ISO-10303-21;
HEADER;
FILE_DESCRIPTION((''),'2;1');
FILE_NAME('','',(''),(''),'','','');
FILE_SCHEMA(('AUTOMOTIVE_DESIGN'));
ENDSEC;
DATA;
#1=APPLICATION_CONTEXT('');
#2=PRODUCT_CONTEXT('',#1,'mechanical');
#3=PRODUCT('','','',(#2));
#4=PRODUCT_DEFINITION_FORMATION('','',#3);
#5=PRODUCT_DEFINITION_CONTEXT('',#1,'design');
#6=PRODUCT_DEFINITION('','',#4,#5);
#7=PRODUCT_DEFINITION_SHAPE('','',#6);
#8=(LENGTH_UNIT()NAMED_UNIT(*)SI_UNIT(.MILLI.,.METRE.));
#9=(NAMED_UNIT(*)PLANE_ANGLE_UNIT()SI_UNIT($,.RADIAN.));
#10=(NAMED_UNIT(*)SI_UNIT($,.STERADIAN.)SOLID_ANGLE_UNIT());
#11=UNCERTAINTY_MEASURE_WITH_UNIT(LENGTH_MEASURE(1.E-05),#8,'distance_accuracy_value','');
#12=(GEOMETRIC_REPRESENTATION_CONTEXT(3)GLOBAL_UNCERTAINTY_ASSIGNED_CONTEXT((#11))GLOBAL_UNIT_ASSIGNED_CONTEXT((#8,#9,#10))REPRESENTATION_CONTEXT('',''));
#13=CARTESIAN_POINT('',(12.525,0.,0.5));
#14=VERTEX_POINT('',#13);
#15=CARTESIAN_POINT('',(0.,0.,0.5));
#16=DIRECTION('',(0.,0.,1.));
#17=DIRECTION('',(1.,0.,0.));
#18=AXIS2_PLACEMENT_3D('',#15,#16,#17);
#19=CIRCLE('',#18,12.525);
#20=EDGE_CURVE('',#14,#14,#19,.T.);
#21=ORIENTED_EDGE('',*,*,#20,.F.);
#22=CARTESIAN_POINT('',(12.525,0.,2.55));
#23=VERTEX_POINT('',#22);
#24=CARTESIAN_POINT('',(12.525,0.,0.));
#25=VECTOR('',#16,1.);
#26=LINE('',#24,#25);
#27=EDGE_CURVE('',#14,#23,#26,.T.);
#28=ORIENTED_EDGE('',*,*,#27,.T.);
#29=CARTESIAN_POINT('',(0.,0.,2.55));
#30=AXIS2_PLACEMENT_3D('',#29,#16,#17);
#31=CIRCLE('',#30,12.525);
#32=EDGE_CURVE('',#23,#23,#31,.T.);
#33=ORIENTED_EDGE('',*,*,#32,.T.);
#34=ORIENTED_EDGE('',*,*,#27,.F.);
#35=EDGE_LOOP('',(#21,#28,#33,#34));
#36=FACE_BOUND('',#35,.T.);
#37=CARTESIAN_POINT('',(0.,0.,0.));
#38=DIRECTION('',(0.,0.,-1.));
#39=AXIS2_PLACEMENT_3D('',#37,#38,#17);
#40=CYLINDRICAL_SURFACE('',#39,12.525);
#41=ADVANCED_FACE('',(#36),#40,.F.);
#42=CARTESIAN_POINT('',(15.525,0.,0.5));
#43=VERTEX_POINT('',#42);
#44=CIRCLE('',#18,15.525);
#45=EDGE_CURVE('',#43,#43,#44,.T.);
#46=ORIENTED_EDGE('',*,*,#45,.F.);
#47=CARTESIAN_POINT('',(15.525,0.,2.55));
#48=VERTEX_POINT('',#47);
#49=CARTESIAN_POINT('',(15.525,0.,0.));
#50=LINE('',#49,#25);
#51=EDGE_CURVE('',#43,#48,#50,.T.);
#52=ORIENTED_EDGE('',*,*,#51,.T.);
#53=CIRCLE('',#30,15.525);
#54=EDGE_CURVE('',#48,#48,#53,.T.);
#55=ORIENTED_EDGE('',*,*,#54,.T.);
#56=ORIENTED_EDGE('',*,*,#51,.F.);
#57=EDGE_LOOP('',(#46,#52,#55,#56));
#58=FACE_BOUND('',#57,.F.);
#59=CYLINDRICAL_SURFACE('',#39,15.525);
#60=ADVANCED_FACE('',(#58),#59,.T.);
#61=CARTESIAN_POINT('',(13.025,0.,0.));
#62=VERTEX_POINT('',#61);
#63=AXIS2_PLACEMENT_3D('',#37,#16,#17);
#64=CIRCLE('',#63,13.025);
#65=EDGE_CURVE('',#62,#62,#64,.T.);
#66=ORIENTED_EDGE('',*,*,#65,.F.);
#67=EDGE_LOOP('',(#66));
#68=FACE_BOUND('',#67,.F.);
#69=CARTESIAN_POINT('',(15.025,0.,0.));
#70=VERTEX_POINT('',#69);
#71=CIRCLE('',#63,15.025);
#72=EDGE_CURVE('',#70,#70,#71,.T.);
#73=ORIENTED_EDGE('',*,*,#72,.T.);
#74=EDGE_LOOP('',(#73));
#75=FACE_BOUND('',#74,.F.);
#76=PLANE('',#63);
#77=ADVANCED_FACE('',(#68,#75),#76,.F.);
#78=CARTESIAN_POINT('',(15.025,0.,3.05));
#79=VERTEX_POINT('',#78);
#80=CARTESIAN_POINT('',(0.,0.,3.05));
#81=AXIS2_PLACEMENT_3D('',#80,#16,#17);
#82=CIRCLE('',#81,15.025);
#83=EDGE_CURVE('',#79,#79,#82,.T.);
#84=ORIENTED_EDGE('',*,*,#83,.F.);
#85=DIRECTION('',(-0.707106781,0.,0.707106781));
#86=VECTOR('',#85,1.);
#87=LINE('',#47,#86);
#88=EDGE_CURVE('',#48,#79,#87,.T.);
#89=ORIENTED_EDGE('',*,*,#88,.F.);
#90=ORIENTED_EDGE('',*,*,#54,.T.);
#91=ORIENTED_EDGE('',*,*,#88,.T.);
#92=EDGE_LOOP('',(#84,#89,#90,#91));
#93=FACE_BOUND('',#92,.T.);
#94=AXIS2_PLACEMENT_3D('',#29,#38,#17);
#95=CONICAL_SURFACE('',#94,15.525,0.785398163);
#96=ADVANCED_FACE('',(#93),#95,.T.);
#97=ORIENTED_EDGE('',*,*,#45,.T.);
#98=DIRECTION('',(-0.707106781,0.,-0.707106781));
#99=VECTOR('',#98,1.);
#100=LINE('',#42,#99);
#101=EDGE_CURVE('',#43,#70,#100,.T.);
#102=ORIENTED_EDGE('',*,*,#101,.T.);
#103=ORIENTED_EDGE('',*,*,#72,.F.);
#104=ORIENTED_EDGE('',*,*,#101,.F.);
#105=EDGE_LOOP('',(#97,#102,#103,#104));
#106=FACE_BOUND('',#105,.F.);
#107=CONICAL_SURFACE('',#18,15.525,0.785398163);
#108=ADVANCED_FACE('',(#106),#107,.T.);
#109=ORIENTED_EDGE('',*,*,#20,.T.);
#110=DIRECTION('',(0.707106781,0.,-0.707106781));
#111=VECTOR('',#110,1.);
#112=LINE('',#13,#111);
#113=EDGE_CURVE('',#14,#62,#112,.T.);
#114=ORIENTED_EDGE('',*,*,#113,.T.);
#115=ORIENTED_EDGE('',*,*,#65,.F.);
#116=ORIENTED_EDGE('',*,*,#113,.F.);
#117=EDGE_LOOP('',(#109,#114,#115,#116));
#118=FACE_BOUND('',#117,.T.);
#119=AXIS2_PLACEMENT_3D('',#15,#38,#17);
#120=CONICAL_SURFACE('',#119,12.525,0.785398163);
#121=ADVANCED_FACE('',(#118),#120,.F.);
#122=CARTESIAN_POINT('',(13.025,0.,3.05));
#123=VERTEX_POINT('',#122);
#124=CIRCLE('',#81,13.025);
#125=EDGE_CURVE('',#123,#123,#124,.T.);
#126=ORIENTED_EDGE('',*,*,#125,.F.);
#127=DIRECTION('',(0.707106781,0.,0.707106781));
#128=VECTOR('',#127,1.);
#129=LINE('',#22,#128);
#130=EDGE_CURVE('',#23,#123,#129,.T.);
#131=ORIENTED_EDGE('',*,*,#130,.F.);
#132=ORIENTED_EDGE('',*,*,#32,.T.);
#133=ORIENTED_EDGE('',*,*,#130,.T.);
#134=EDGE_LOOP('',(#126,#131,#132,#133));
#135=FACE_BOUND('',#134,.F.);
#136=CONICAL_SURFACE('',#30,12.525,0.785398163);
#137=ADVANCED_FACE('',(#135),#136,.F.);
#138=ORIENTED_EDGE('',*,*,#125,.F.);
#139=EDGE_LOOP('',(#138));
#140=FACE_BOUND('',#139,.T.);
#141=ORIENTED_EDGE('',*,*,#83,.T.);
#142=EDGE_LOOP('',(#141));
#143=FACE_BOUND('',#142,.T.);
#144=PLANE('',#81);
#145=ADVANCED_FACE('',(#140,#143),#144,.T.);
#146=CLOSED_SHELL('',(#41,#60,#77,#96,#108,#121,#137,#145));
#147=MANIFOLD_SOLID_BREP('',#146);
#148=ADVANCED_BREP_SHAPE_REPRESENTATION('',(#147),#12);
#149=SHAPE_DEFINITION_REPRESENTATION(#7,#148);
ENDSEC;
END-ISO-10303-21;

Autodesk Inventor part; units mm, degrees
ref_plane "YZ Plane" through (0, 0, 0) normal (1, 0, 0) x (0, 1, 0)
ref_plane "XZ Plane" through (0, 0, 0) normal (0, 1, 0) x (-1, 0, 0)
ref_plane "XY Plane" through (0, 0, 0) normal (0, 0, 1) x (1, 0, 0)
sketch "草图1" plane through (0, 0, 0) normal (0, 0, 1) x (1, 0, 0)
  circle A0 centre (0, 0) radius 15.525
  circle A1 centre (0, 0) radius 12.525
extrude "拉伸1" add sketch "草图1" along normal blind 3.05
chamfer "倒角1" distance 0.5 angle 45 4 edges at (-12.525, 0, 3.05) (-12.525, 0, 0) (-15.525, 0, 3.05) (-15.525, 0, 0)
properties part number "my_attempt_v2"
